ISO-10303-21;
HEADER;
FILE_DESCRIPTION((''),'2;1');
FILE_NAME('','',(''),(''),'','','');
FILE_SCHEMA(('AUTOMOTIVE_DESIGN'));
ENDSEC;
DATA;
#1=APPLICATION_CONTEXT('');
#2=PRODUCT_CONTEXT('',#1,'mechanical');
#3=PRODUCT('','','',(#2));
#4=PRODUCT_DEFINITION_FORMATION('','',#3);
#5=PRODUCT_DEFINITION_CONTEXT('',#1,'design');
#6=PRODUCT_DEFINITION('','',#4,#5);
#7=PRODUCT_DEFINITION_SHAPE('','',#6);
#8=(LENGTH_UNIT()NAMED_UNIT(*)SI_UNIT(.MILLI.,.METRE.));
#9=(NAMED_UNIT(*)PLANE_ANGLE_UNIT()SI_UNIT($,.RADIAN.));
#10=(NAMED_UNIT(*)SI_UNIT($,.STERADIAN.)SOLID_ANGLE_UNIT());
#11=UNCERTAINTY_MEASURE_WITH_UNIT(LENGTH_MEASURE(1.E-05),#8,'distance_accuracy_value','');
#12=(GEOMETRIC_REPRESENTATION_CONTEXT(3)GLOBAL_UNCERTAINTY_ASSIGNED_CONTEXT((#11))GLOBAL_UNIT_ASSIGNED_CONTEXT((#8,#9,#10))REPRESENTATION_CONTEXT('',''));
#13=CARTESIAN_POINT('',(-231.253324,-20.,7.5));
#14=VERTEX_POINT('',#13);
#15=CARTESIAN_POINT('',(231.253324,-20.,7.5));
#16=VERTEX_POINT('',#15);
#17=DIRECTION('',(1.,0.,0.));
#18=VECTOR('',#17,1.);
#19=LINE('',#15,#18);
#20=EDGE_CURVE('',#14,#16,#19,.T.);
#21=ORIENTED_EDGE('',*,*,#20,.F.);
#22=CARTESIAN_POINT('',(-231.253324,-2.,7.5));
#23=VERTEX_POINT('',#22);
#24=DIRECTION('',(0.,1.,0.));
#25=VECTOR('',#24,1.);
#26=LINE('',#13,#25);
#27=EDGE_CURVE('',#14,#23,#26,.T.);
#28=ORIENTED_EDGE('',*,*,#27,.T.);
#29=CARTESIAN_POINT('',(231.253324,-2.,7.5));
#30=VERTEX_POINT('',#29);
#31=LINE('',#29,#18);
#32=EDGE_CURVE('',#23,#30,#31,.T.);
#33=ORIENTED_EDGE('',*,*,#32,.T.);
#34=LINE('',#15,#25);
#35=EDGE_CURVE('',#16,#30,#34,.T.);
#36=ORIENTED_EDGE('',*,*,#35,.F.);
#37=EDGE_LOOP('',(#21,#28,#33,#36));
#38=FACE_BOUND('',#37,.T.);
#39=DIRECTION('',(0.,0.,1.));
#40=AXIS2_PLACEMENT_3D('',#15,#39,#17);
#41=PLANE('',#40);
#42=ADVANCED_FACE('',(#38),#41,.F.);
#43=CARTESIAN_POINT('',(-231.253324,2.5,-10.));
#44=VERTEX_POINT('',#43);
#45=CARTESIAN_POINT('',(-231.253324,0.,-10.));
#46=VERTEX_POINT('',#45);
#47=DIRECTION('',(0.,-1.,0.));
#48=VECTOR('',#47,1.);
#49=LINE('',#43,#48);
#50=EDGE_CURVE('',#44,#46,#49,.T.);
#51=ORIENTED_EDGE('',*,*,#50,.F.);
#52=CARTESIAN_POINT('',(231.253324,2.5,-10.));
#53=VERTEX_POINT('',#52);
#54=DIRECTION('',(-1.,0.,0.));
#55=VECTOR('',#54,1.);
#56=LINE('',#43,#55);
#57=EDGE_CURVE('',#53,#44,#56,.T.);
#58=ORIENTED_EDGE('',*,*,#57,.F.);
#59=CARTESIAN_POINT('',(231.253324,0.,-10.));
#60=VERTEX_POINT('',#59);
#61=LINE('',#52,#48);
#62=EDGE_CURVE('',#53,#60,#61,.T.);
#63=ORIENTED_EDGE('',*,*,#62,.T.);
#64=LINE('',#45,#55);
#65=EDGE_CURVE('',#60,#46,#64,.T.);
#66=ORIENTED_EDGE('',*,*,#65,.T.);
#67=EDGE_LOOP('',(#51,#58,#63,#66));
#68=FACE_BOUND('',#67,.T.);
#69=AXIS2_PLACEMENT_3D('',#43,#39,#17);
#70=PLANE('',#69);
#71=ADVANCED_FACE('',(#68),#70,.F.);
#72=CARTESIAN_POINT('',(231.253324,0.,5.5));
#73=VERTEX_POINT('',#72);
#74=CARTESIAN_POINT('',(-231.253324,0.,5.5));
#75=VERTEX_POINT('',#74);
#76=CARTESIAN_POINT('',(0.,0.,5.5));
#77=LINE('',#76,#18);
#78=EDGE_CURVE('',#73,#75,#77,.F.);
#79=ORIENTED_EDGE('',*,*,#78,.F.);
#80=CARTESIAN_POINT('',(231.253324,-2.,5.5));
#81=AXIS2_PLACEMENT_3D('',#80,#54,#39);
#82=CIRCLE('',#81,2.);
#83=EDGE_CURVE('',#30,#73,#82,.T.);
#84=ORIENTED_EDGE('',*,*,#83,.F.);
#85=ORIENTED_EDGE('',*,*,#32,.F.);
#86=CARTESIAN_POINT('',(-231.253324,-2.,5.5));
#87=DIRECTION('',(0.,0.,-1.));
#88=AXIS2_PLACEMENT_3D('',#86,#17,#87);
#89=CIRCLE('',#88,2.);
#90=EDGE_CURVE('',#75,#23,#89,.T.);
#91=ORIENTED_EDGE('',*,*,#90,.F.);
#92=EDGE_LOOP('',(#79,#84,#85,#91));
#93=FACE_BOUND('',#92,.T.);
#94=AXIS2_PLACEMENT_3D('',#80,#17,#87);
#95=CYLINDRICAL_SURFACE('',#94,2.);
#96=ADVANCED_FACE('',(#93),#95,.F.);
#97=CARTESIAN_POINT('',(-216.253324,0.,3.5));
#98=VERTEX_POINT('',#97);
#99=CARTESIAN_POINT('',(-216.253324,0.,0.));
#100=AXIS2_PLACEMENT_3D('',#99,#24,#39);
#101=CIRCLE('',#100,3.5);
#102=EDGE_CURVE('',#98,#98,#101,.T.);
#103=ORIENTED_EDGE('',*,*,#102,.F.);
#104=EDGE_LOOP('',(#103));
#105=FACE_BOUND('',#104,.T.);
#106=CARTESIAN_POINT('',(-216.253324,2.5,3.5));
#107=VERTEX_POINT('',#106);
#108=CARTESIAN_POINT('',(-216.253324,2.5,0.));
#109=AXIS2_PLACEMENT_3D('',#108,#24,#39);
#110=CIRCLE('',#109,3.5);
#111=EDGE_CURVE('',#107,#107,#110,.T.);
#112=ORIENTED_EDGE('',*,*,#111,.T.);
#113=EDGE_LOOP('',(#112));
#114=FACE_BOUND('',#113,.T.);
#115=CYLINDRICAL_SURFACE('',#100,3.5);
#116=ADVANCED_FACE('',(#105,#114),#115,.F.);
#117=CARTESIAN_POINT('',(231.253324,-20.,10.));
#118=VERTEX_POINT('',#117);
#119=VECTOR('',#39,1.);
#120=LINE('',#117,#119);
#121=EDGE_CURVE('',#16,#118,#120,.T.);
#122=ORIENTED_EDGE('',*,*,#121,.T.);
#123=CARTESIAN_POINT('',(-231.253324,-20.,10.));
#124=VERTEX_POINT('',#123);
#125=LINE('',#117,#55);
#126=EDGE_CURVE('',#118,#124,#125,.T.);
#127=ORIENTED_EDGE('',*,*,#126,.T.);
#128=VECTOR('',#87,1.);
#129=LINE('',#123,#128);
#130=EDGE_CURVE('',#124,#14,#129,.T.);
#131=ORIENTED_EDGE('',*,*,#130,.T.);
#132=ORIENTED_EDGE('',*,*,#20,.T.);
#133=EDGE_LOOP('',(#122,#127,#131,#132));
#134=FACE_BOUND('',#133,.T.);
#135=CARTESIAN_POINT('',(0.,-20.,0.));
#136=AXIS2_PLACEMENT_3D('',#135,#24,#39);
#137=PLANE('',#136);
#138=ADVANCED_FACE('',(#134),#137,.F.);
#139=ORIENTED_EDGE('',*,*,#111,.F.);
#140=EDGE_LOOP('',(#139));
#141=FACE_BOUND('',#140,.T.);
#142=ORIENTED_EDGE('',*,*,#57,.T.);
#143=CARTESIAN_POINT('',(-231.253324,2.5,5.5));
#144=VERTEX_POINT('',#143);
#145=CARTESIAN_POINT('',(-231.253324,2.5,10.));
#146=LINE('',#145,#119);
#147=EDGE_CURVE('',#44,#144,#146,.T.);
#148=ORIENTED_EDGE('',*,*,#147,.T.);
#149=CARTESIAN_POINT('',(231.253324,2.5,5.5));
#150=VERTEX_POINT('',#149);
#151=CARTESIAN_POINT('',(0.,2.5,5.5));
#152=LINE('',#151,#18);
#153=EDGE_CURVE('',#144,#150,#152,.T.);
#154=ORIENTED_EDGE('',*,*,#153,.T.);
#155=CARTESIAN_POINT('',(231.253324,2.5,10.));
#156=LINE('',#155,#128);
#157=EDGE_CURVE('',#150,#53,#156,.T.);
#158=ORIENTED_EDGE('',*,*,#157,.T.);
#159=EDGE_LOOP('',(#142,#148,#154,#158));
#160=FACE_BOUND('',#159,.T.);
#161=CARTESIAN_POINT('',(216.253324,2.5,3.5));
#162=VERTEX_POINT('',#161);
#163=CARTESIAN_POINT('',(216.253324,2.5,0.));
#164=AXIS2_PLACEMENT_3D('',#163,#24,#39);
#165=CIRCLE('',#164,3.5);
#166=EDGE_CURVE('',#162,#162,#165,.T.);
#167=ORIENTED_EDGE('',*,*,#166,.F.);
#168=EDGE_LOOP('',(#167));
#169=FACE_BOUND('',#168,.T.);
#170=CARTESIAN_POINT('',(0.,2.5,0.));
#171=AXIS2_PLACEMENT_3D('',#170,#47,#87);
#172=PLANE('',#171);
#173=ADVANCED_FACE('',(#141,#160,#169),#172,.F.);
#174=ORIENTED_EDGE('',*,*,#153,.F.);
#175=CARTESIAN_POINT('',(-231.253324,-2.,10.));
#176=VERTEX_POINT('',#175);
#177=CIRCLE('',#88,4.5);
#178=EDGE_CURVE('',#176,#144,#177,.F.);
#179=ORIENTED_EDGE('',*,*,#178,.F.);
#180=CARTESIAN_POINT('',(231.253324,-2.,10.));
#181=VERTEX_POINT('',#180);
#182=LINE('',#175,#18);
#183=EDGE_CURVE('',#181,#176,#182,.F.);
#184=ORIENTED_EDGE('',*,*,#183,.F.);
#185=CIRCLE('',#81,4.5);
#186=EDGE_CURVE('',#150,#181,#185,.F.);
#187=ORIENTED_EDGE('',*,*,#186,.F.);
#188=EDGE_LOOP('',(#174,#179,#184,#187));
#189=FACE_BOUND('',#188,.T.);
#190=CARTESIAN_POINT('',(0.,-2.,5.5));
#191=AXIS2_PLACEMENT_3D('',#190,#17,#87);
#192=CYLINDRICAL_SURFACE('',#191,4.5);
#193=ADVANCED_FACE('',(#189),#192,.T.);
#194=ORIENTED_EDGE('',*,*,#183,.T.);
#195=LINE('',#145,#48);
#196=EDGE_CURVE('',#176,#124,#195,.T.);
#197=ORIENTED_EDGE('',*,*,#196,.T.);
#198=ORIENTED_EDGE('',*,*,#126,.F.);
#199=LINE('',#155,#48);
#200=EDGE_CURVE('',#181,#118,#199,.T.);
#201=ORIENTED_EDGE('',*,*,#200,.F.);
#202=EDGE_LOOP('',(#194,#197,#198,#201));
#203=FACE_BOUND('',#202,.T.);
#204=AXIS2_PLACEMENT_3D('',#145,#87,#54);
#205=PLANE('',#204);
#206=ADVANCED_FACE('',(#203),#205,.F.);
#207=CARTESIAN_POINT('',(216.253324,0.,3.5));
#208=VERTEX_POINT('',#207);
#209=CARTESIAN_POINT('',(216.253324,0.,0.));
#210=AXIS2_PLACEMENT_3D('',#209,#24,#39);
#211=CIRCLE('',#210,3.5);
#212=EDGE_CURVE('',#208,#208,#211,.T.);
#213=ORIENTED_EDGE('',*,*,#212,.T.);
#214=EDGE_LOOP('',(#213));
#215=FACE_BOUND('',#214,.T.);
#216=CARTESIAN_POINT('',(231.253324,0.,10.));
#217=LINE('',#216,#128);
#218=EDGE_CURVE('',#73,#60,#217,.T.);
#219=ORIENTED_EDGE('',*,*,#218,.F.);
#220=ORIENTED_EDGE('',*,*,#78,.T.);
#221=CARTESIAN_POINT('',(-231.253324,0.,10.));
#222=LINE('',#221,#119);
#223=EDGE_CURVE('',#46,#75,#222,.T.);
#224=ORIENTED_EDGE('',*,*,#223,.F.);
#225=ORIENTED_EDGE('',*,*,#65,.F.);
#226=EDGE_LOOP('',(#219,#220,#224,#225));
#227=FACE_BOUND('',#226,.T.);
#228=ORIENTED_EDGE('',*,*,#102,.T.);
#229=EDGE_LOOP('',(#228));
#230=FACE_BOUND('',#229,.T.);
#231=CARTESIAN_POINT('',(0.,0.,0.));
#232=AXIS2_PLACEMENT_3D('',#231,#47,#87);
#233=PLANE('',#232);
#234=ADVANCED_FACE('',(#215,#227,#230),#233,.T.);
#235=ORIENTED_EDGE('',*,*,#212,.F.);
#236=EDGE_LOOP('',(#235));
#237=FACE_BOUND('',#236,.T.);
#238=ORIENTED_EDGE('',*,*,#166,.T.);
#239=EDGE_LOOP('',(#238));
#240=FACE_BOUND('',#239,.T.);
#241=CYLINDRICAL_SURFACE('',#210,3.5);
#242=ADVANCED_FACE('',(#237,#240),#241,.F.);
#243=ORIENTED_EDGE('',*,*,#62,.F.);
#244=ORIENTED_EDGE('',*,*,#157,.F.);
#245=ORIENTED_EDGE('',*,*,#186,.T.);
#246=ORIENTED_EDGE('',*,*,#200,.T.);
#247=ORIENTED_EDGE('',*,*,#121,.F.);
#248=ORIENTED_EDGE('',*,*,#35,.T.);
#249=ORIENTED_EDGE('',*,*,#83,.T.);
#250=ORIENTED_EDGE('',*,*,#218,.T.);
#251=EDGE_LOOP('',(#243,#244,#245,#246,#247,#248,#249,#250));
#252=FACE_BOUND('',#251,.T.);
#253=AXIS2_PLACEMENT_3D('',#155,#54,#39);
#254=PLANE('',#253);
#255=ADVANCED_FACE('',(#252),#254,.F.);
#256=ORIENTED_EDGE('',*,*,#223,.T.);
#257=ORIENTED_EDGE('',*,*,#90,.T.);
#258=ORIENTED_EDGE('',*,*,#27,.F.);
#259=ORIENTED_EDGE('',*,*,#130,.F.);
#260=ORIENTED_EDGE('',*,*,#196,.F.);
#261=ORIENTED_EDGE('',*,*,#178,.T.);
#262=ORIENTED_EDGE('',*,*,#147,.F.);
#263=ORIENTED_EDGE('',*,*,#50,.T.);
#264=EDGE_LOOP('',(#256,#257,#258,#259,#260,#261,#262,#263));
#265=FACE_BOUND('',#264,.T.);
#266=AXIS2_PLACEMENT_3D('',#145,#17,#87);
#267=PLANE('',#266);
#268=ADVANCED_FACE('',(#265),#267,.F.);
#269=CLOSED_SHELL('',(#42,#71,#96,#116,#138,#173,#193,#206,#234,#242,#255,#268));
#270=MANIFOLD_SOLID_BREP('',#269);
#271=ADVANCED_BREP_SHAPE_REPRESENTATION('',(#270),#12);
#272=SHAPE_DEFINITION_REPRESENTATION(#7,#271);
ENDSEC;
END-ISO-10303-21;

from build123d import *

# Parameters (mm, degrees)
SKETCH1_W           = 462.50664735
SKETCH1_H           = 20
BOSS_EXTRUDE1_DEPTH = 2.5
SKETCH2_R           = 3.5
CUT_EXTRUDE1_DEPTH  = 2.5
SKETCH3_W           = 462.50664735
SKETCH3_H           = 2.5
BOSS_EXTRUDE2_DEPTH = 20
FILLET1_R           = 2
FILLET2_R           = 4.5


with BuildPart() as part:
    # Sketch1 → Boss-Extrude1 (new body)
    with BuildSketch(Plane(origin=(0, 0, 0), x_dir=(1, 0, 0), z_dir=(0, 1, 0))):
        Rectangle(SKETCH1_W, SKETCH1_H)
    extrude(amount=BOSS_EXTRUDE1_DEPTH)

    # Sketch2 → Cut-Extrude1 (cut)
    with BuildSketch(Plane(origin=(0, 2.5, 0), x_dir=(1, 0, 0), z_dir=(0, 1, 0))):
        with Locations(Location((216.253323675, 0, 0), (0, 0, 270))):
            Circle(SKETCH2_R)
        with Locations(Location((-216.253323675, 0, 0), (0, 0, 270))):
            Circle(SKETCH2_R)
    extrude(amount=-CUT_EXTRUDE1_DEPTH, mode=Mode.SUBTRACT)

    # Sketch3 → Boss-Extrude2 (add)
    with BuildSketch(Plane.XZ):
        with Locations((0, 8.75)):
            Rectangle(SKETCH3_W, SKETCH3_H)
    extrude(amount=BOSS_EXTRUDE2_DEPTH)

    # Fillet1
    fillet1_edges = [part.edges().sort_by_distance(p)[0] for p in [
        (0, 0, 7.5),
    ]]
    fillet(fillet1_edges, radius=FILLET1_R)

    # Fillet2
    fillet2_edges = [part.edges().sort_by_distance(p)[0] for p in [
        (0, 2.5, 10),
    ]]
    fillet(fillet2_edges, radius=FILLET2_R)


solid = part.part
